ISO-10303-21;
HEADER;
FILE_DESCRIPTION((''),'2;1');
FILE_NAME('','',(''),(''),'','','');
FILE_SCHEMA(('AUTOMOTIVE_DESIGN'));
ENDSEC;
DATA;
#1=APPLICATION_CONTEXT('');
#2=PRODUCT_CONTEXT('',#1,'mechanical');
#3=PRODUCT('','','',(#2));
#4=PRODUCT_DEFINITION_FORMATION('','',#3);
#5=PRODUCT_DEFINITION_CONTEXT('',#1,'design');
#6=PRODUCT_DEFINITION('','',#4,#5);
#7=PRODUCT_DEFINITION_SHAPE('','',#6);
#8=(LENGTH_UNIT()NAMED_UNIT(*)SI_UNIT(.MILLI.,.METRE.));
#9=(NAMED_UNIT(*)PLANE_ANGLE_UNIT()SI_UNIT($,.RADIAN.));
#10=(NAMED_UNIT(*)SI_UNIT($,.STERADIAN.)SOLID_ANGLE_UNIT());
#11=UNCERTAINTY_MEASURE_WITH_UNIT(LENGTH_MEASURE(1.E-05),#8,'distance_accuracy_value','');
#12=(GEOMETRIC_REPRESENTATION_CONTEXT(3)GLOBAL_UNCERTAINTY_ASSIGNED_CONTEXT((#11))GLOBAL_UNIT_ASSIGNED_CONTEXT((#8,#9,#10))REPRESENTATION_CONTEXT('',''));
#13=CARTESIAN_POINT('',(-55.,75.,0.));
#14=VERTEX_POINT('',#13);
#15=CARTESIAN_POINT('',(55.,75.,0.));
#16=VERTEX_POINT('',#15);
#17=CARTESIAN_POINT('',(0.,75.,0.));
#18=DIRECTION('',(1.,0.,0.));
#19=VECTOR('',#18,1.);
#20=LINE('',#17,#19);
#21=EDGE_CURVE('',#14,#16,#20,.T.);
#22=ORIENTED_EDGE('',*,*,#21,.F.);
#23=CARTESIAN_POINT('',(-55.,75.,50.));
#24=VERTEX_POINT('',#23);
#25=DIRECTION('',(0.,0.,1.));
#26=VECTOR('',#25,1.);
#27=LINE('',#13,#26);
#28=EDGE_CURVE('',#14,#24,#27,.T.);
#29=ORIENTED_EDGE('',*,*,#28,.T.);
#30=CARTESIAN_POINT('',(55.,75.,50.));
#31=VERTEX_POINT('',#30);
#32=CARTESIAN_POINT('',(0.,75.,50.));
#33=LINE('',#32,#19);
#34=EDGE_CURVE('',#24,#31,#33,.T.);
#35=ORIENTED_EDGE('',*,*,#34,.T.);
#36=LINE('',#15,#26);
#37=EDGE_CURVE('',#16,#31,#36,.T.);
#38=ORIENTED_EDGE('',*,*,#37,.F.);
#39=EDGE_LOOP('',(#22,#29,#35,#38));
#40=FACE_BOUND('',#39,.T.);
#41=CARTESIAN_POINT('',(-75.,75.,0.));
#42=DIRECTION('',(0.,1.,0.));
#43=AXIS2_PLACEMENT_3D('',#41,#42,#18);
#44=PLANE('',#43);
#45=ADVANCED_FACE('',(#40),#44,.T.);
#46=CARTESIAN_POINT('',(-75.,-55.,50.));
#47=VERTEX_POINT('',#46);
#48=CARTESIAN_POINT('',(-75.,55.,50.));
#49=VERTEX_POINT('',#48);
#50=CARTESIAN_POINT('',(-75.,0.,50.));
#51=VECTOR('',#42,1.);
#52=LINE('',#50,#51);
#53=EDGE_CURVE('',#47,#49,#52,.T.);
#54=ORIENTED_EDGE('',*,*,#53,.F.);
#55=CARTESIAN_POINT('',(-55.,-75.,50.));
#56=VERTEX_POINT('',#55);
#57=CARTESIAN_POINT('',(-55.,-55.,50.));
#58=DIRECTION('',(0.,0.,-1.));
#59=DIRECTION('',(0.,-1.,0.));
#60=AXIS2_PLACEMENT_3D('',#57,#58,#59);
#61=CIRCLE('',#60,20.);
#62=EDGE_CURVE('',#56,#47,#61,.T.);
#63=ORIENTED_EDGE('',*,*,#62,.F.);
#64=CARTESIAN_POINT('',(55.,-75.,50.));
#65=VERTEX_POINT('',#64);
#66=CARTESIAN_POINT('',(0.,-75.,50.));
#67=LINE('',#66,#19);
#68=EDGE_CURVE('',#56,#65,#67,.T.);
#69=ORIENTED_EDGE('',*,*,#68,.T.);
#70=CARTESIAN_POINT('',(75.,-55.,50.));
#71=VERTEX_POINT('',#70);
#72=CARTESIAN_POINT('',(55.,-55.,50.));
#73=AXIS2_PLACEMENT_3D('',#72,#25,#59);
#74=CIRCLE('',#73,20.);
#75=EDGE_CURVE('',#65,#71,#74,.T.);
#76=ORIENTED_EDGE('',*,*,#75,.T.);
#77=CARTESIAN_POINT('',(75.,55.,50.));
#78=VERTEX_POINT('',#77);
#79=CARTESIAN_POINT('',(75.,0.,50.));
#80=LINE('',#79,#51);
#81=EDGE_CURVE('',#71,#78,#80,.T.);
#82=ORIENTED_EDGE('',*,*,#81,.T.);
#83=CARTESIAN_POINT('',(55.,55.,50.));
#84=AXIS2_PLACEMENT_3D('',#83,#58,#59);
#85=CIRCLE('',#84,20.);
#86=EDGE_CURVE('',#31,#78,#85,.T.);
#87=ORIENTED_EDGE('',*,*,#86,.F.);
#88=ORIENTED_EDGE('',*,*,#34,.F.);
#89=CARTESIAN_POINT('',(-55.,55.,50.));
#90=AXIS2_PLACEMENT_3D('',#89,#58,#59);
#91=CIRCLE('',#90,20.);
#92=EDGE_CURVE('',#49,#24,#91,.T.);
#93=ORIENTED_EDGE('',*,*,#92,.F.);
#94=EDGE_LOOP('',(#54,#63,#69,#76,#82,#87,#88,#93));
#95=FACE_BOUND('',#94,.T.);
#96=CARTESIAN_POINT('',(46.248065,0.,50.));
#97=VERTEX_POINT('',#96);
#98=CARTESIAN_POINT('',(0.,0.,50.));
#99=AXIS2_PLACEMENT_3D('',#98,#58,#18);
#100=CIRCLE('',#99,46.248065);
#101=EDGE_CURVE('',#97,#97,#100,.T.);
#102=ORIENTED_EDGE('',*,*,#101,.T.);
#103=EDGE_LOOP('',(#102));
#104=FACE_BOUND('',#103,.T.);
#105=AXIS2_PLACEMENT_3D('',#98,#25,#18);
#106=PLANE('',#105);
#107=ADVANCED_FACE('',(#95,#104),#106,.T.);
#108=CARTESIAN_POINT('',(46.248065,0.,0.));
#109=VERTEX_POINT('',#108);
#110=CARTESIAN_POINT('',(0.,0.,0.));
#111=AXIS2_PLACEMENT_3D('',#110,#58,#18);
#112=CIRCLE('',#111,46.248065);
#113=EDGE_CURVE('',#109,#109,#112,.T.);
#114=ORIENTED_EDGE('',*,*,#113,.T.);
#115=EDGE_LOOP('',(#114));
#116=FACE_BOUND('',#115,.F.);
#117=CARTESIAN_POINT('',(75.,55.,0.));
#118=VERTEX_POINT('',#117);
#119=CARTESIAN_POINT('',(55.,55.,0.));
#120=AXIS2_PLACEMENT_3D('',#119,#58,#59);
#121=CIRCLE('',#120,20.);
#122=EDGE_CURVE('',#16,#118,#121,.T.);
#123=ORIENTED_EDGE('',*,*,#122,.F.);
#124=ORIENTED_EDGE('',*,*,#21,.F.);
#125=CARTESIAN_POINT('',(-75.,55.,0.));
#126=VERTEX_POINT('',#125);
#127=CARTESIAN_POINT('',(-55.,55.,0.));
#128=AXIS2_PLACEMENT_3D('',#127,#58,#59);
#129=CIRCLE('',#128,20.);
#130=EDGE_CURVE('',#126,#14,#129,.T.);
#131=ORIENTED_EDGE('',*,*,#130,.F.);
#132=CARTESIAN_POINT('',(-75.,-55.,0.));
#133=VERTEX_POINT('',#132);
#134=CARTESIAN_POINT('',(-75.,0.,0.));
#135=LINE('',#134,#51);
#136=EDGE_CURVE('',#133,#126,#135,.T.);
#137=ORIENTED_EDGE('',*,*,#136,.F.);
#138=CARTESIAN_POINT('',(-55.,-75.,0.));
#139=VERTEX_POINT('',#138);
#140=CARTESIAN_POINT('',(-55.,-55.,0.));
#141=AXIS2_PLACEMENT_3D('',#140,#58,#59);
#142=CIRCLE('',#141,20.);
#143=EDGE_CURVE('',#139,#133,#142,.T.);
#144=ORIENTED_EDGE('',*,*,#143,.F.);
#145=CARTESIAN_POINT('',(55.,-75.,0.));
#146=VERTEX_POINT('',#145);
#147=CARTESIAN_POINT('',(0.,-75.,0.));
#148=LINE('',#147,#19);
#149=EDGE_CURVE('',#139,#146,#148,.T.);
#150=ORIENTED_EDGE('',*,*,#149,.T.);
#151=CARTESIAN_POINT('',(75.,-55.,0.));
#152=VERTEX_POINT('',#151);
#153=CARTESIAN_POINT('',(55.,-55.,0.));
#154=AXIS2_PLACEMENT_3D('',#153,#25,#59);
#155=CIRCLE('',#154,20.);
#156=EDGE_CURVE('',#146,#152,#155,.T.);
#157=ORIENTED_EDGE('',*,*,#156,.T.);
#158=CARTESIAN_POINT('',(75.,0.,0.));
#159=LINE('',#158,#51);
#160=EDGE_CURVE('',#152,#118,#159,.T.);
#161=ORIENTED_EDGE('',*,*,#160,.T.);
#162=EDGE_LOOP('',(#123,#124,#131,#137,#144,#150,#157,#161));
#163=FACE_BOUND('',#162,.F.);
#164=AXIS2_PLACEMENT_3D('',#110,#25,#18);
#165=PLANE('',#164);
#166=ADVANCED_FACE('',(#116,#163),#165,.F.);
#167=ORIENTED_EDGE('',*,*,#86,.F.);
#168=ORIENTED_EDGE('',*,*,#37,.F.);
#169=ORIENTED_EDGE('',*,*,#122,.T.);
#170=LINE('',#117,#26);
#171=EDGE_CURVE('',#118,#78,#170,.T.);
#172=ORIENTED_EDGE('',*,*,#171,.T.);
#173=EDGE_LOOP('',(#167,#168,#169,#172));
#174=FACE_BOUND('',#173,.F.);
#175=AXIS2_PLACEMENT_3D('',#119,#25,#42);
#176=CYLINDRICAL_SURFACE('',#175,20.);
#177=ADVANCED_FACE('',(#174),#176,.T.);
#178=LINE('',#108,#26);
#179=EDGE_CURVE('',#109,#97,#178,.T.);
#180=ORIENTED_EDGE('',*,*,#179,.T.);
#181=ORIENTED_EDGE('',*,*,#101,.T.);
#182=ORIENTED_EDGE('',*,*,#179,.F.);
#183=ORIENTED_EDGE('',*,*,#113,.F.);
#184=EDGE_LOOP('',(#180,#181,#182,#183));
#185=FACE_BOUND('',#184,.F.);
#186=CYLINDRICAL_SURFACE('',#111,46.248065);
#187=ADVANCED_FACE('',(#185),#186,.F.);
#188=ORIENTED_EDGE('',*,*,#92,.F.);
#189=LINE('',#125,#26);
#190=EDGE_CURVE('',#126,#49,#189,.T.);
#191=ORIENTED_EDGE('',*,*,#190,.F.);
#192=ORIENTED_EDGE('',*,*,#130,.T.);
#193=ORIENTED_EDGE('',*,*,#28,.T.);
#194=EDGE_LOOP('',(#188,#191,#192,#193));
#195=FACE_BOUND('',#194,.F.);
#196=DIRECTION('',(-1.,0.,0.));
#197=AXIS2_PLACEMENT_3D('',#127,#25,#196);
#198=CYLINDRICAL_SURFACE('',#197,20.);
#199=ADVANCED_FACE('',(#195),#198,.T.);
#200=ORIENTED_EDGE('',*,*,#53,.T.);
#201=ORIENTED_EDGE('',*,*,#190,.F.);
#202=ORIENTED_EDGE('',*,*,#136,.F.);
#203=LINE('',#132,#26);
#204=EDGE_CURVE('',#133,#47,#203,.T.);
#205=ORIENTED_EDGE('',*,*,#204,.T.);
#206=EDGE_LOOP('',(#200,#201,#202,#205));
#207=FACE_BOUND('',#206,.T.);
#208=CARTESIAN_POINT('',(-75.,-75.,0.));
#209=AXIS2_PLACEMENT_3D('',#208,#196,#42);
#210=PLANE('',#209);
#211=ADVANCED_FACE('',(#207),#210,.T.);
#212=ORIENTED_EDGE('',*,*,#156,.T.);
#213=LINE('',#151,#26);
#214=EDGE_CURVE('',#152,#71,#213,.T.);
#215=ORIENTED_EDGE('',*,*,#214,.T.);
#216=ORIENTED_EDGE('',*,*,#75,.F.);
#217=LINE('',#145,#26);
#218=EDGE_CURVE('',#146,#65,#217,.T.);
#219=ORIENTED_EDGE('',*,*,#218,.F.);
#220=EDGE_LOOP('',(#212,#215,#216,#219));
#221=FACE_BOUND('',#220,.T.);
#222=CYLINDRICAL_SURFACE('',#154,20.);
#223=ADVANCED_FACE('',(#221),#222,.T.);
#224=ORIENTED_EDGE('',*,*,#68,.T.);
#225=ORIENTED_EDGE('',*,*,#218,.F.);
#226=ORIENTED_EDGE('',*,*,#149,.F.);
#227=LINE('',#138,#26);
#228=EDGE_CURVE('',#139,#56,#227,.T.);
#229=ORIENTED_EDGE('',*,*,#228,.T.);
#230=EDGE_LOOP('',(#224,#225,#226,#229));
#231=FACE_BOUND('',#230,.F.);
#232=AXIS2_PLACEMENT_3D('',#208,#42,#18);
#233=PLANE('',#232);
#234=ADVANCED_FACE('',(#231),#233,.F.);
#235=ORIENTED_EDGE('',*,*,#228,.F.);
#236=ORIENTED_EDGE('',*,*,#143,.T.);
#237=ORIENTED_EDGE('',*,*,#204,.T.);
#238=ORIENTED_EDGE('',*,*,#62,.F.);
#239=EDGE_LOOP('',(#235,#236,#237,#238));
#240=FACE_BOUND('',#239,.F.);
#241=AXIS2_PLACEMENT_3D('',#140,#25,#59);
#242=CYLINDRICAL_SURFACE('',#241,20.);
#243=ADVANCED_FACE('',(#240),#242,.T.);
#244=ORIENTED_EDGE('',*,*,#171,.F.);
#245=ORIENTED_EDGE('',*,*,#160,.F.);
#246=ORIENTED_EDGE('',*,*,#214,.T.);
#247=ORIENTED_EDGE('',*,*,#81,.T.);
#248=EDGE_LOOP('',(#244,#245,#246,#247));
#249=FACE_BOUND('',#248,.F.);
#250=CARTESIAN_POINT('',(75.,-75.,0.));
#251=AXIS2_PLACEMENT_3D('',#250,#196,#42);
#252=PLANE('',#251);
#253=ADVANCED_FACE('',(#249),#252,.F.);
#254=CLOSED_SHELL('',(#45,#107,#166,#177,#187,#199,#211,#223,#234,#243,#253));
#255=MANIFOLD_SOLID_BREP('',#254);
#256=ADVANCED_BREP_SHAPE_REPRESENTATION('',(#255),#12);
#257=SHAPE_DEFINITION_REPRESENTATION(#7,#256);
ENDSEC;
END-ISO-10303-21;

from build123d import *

# Parameters (mm, degrees)
F0_W     = 150
F0_H     = 150
F1_DEPTH = 50
F2_R     = 46.248065
F3_DEPTH = 50
F4_R     = 20
F5_R     = 20
F6_R     = 20


with BuildPart() as f1:
    # F0 (on Top) → F1 (new body)
    with BuildSketch(Plane.XY):
        Rectangle(F0_W, F0_H)
    extrude(amount=F1_DEPTH)

    # F2 (on face) → F3 (cut)
    with BuildSketch(Plane(origin=(0, 0, 0), x_dir=(1, 0, 0), z_dir=(0, 0, -1))):
        Circle(F2_R)
    extrude(amount=-F3_DEPTH, mode=Mode.SUBTRACT)

    # F4
    f4_edges = [f1.edges().sort_by_distance(p)[0] for p in [
        (75, -75, 25),
        (75, 75, 25),
    ]]
    fillet(f4_edges, radius=F4_R)

    # F5
    f5_edges = [f1.edges().sort_by_distance(p)[0] for p in [
        (-75, -75, 25),
    ]]
    fillet(f5_edges, radius=F5_R)

    # F6
    f6_edges = [f1.edges().sort_by_distance(p)[0] for p in [
        (-75, 75, 25),
    ]]
    fillet(f6_edges, radius=F6_R)


solid = f1.part
